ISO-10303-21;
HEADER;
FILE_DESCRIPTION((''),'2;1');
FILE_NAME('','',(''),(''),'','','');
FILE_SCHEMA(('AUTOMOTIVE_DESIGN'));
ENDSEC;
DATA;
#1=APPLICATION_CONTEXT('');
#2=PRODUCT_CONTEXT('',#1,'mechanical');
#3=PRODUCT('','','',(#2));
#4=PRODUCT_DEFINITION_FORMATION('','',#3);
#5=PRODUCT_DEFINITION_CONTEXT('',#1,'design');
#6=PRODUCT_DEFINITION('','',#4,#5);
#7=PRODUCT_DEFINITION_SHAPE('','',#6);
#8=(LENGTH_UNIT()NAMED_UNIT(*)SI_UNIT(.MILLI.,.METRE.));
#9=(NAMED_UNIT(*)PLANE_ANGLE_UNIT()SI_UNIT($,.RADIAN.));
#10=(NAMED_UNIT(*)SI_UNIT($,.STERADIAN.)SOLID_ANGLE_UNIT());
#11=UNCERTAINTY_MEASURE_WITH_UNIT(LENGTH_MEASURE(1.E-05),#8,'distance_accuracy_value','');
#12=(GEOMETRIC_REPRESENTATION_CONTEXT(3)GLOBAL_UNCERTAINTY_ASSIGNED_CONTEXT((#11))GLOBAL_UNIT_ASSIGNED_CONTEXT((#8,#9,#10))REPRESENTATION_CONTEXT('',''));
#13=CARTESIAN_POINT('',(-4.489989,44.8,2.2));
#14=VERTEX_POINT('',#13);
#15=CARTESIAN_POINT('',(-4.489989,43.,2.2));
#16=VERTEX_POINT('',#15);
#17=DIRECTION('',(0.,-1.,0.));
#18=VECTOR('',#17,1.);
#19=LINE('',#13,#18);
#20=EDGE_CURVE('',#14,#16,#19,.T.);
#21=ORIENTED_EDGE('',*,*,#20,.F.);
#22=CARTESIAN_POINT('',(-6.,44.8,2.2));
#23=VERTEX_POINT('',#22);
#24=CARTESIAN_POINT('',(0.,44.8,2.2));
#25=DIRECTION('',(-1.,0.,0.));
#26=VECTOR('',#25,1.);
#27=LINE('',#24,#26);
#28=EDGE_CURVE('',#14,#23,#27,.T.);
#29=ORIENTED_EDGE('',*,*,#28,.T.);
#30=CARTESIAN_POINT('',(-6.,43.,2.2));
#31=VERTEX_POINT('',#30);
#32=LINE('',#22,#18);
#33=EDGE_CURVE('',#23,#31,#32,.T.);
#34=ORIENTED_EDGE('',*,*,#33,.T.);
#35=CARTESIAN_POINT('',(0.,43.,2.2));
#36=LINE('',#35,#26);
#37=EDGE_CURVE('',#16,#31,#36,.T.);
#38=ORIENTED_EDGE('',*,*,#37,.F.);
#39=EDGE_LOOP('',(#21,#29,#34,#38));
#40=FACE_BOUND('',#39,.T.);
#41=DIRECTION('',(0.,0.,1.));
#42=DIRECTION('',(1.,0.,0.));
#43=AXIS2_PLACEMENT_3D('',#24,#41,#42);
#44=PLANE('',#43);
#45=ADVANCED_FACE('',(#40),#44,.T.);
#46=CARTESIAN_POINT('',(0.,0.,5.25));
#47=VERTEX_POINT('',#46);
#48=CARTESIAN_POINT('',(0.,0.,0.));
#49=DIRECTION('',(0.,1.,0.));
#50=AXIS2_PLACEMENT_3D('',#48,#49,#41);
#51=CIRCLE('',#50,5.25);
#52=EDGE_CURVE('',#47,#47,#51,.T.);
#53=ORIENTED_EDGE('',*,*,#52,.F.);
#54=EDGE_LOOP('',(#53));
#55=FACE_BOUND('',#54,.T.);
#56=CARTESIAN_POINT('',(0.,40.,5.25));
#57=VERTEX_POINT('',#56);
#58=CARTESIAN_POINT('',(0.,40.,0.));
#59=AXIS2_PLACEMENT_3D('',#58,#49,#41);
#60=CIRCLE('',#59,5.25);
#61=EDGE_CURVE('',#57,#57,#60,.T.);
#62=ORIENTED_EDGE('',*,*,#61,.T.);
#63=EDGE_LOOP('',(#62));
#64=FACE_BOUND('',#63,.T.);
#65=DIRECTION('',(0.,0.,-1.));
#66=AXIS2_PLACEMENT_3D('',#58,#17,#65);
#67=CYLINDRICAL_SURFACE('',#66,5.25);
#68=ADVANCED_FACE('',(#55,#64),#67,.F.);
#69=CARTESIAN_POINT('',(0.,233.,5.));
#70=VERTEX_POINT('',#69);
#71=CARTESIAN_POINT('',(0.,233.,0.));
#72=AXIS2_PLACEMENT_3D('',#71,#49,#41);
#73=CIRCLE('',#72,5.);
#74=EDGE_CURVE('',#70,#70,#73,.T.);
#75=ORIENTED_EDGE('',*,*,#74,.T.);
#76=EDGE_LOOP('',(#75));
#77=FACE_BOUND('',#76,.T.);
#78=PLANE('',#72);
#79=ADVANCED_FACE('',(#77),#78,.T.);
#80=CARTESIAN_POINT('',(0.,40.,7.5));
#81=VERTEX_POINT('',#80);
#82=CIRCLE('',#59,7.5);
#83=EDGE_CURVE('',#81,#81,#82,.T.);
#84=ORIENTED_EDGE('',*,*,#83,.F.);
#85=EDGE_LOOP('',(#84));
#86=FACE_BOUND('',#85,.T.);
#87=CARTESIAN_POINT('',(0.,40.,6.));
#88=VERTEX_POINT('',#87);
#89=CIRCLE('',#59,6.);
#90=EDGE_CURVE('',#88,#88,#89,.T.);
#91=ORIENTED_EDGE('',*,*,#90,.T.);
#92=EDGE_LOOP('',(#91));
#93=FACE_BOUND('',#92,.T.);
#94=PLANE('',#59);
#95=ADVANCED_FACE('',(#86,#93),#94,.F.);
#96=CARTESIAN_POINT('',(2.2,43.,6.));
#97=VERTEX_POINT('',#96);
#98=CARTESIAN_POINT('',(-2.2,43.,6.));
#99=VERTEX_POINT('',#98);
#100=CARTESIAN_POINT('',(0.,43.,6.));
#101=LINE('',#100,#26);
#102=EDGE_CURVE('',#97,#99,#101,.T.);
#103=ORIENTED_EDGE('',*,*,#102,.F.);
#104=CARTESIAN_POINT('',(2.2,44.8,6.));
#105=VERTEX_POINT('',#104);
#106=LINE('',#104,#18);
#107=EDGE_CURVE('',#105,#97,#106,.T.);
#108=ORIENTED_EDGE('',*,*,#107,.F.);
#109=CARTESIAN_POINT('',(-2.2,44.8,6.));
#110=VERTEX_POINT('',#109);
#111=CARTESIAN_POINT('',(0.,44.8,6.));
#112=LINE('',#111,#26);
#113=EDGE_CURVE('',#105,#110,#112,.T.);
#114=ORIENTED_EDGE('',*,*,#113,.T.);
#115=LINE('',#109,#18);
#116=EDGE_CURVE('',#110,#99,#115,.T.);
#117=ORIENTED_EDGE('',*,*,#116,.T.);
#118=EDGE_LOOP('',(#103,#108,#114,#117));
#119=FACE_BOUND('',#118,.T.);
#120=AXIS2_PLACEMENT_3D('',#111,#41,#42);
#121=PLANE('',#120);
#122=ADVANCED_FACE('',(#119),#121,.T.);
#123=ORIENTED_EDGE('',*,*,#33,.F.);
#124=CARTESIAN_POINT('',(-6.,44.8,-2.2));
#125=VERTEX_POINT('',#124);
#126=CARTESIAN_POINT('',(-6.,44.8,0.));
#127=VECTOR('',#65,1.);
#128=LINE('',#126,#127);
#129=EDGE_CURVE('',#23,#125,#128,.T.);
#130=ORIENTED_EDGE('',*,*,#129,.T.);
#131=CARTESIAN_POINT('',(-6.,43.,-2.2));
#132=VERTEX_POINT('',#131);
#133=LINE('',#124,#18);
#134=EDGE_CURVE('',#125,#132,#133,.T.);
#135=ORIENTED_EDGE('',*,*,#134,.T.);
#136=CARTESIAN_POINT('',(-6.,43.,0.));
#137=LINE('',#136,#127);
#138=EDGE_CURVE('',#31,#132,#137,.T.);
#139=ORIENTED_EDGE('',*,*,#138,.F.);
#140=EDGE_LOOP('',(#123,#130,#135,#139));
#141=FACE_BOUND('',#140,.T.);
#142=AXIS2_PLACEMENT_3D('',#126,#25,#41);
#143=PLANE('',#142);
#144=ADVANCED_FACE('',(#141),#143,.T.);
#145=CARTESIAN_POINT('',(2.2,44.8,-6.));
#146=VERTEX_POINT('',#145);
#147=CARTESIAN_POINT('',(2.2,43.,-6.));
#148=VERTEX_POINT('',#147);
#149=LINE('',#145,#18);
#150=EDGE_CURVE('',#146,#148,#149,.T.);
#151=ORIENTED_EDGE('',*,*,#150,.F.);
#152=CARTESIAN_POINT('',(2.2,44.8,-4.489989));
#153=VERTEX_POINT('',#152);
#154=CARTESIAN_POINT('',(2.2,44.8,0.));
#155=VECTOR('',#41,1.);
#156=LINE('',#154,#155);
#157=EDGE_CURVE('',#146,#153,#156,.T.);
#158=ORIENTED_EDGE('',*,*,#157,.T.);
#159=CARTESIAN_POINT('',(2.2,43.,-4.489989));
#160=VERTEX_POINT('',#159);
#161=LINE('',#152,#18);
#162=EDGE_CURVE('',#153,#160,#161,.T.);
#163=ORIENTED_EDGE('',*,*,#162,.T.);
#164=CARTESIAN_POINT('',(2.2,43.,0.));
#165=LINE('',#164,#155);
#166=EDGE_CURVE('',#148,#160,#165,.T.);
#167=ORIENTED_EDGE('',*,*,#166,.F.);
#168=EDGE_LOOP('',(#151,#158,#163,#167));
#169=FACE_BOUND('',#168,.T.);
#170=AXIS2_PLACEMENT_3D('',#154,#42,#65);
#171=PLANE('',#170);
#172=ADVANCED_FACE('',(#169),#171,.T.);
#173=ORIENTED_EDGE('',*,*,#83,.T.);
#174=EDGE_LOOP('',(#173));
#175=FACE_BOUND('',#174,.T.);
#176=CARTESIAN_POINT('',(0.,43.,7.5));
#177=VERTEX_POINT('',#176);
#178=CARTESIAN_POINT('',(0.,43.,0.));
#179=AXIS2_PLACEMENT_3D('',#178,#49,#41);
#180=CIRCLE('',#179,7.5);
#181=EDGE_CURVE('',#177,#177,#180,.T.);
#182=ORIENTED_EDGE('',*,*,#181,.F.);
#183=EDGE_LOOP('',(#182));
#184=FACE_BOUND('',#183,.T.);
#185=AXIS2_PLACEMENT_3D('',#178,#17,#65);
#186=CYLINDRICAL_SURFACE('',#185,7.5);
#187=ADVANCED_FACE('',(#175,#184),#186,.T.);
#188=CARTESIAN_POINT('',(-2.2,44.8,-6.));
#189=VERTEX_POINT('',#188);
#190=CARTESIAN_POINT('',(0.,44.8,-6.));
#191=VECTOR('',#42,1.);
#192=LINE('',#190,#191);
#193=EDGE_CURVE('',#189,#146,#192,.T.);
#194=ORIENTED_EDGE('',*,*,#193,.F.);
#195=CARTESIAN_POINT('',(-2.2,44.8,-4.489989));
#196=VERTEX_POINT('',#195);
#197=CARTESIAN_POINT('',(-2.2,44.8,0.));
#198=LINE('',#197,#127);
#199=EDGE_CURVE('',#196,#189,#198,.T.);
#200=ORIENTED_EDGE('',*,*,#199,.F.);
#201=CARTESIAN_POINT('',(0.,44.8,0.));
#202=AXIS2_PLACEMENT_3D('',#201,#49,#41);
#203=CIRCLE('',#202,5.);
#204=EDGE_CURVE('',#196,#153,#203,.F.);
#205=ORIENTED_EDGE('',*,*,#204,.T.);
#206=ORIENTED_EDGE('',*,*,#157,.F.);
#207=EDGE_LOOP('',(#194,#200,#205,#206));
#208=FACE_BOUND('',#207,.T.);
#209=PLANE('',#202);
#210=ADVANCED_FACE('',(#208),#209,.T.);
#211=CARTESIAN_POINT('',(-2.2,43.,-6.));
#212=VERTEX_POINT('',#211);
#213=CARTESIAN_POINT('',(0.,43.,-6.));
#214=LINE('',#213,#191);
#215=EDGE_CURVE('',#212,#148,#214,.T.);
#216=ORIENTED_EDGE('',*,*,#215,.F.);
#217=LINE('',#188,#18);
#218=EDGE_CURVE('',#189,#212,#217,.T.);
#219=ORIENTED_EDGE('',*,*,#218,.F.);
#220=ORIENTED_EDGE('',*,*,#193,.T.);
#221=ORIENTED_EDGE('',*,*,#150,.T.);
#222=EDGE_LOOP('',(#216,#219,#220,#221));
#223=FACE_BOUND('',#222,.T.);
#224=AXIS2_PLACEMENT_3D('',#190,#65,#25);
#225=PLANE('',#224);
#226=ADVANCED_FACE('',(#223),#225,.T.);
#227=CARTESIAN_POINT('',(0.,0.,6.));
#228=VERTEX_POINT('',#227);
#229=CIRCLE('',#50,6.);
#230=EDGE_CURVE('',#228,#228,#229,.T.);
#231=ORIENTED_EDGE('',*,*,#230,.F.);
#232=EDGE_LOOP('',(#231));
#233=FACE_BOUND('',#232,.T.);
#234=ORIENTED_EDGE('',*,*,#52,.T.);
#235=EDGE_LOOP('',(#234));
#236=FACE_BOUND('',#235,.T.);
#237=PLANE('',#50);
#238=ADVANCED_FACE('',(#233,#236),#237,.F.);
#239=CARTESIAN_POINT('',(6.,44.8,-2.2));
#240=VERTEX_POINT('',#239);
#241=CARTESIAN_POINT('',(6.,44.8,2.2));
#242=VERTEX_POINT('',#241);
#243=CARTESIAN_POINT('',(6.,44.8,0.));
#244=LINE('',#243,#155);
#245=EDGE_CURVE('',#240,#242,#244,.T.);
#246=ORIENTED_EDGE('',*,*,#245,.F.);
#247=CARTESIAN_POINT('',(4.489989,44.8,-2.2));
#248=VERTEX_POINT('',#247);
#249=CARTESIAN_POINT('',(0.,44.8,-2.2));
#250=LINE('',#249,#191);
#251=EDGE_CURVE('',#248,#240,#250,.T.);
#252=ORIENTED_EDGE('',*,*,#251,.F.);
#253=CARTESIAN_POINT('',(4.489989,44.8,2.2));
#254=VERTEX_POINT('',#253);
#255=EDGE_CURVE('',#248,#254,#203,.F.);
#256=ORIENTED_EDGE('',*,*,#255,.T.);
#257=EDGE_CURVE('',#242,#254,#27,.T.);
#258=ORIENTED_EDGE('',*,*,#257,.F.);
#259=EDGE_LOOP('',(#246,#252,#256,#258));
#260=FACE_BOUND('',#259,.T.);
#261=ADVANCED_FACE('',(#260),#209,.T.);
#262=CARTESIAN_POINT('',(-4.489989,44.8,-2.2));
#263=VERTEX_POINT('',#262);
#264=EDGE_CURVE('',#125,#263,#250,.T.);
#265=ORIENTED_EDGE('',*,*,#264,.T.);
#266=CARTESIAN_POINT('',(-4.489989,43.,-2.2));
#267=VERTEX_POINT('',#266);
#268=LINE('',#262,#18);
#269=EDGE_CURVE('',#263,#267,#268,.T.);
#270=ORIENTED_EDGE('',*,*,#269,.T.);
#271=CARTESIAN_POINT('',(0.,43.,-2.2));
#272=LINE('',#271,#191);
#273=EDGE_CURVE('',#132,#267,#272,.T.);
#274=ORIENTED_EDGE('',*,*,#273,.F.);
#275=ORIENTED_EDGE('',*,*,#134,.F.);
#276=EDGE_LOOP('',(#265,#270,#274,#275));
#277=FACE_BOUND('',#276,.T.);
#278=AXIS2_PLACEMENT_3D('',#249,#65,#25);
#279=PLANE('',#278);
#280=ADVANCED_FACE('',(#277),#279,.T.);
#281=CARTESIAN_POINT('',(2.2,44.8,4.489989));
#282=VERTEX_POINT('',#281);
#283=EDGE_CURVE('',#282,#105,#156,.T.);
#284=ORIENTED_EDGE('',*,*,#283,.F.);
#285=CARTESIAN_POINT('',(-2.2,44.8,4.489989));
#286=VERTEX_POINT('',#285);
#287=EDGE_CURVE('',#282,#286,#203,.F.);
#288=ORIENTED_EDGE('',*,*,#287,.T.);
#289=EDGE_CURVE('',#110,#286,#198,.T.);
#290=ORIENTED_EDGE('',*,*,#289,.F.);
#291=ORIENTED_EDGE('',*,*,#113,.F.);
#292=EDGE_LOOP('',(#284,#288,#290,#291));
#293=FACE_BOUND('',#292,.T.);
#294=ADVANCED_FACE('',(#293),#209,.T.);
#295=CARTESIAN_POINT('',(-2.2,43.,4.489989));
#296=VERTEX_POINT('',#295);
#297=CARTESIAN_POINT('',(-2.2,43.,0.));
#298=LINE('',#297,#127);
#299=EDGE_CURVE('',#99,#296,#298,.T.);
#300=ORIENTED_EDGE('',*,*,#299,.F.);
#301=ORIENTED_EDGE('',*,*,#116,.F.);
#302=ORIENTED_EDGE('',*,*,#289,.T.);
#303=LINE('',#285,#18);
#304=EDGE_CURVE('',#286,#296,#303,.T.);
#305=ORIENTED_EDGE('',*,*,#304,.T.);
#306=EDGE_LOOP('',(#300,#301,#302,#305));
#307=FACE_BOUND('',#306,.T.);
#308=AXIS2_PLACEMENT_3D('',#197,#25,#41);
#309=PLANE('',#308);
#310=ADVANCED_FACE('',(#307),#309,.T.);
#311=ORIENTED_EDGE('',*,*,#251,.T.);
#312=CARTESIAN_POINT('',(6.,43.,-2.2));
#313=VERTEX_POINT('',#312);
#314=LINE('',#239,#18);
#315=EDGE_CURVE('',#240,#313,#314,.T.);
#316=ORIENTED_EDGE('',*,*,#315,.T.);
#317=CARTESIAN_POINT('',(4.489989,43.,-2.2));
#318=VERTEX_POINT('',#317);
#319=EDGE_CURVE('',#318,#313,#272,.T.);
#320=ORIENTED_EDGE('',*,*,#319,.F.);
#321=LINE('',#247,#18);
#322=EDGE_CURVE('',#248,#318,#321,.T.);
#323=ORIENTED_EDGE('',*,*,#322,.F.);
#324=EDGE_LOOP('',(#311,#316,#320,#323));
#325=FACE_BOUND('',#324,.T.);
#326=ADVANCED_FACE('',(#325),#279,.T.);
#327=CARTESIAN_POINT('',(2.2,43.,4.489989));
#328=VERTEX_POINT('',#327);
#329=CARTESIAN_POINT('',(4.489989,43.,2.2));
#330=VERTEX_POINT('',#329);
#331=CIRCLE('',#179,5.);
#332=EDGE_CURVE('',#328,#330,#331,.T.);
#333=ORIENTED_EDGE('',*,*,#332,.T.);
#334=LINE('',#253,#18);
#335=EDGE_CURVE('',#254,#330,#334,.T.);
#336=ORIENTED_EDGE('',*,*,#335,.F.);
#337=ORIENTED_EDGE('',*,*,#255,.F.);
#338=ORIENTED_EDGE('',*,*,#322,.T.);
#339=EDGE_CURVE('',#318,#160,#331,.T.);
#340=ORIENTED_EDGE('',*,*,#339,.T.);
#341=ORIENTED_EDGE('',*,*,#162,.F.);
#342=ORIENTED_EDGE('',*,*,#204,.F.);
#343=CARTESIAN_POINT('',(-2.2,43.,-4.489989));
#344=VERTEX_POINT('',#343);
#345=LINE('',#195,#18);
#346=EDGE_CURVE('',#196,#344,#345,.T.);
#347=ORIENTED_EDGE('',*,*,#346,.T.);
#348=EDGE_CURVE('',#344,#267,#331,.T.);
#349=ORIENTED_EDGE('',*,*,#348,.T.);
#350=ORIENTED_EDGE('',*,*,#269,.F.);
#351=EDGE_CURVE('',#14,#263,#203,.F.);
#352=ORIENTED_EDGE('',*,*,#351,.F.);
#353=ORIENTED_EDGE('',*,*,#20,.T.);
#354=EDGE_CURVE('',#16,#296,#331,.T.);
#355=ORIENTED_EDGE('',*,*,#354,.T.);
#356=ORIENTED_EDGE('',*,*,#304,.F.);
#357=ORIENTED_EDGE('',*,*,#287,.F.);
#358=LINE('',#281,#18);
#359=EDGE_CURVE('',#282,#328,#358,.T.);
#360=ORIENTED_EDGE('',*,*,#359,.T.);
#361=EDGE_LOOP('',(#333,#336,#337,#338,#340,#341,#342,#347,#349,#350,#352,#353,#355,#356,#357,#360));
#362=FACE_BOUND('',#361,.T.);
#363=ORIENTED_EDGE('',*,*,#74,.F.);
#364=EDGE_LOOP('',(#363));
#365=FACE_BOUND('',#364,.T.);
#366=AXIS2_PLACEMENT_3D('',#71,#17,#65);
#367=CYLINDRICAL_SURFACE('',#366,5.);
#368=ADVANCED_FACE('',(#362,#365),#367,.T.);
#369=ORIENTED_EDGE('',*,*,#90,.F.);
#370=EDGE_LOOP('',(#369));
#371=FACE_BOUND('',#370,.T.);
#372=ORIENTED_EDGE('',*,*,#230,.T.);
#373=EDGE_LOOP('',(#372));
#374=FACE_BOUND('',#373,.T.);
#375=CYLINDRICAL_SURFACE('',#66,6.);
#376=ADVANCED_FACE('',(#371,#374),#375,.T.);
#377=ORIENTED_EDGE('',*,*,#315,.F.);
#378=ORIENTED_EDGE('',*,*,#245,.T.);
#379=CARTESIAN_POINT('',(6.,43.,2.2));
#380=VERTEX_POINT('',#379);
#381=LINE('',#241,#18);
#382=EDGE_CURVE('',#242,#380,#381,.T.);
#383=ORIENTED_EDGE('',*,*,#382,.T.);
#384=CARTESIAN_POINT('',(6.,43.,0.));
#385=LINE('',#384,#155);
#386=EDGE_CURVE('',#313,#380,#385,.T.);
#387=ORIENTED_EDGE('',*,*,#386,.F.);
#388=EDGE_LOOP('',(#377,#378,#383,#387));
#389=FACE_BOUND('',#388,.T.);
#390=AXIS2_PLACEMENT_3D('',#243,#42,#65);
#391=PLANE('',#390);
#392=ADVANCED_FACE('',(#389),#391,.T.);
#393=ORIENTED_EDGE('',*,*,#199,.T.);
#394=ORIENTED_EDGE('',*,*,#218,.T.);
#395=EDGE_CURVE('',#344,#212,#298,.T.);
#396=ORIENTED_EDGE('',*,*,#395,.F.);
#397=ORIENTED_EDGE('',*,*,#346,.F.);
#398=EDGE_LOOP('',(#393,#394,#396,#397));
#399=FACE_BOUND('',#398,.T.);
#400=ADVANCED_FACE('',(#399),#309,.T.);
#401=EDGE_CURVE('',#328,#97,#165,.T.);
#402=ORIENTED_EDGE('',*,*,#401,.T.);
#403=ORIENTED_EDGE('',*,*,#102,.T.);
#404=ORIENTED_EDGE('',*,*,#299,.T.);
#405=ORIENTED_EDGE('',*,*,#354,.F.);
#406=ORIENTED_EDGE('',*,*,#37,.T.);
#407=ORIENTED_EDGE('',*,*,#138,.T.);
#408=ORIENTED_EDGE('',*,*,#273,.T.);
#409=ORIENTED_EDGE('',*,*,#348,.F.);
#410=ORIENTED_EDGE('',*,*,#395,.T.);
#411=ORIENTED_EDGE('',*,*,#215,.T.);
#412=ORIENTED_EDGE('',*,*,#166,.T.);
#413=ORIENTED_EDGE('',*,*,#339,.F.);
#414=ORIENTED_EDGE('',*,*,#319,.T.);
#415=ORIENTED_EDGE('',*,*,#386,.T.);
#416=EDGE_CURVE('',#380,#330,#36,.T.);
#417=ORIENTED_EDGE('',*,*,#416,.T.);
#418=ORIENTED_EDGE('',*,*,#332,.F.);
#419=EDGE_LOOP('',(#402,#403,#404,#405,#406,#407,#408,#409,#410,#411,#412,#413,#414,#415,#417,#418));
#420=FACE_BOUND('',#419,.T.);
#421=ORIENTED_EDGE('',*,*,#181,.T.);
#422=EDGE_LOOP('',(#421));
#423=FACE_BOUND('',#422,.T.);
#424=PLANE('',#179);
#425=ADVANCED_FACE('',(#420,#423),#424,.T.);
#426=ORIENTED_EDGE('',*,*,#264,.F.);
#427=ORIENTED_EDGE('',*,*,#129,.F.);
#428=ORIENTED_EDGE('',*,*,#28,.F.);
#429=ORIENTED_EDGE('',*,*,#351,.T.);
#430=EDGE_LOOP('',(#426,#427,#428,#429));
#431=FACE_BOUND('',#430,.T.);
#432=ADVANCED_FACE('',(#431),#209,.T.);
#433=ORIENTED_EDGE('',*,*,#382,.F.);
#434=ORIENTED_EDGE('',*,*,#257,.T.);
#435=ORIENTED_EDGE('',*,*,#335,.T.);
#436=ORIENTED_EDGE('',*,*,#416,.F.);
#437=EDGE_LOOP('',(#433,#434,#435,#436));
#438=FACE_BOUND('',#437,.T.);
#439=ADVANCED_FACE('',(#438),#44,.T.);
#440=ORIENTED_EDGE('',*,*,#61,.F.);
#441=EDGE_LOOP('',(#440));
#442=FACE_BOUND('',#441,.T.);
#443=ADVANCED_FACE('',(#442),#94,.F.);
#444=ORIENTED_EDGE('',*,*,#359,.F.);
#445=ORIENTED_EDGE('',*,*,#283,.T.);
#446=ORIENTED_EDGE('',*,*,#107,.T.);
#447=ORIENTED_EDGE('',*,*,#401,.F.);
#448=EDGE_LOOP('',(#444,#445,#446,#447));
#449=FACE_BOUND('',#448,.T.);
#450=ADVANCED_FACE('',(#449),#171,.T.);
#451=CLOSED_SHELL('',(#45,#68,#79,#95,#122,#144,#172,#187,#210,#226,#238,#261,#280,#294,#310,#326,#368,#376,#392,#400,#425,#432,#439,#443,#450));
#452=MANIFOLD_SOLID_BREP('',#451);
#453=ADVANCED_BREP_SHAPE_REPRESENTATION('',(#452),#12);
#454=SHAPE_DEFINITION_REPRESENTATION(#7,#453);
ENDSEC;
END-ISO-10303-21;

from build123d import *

# Parameters (mm, degrees)
SKETCH_1_R      = 6
SKETCH_1_R_2    = 5.25
EXTRUDE_2_DEPTH = 40
SKETCH_2_R      = 7.5
EXTRUDE_3_DEPTH = 3
SKETCH_3_R      = 5
EXTRUDE_4_DEPTH = 190
EXTRUDE_6_DEPTH = 1.8


with BuildPart() as part:
    # 草图1 → 凸台-拉伸2 (new body)
    with BuildSketch(Plane(origin=(0, 0, 0), x_dir=(1, 0, 0), z_dir=(0, 1, 0))):
        with Locations(Location((0, 0, 0), (0, 0, 270))):
            Circle(SKETCH_1_R)
        with Locations(Location((0, 0, 0), (0, 0, 270))):
            Circle(SKETCH_1_R_2, mode=Mode.SUBTRACT)
    extrude(amount=EXTRUDE_2_DEPTH)

    # 草图2 → 凸台-拉伸3 (add)
    with BuildSketch(Plane(origin=(0, 40, 0), x_dir=(1, 0, 0), z_dir=(0, 1, 0))):
        with Locations(Location((0, 0, 0), (0, 0, 270))):
            Circle(SKETCH_2_R)
    extrude(amount=EXTRUDE_3_DEPTH)

    # 草图3 → 凸台-拉伸4 (add)
    with BuildSketch(Plane(origin=(0, 43, 0), x_dir=(1, 0, 0), z_dir=(0, 1, 0))):
        with Locations(Location((0, 0, 0), (0, 0, 270))):
            Circle(SKETCH_3_R)
    extrude(amount=EXTRUDE_4_DEPTH)

    # 草图4 → 凸台-拉伸6 (add)
    with BuildSketch(Plane(origin=(0, 43, 0), x_dir=(1, 0, 0), z_dir=(0, 1, 0))):
        with BuildLine():
            Line((6, 2.2), (4.489988864, 2.2))
            ThreePointArc((4.489988864, 2.2), (4.870828693, 1.129171307), (5, 0))
            ThreePointArc((5, 0), (4.870828693, -1.129171307), (4.489988864, -2.2))
            Line((4.489988864, -2.2), (6, -2.2))
            Line((6, -2.2), (6, 2.2))
        make_face()
        with BuildLine():
            ThreePointArc((2.2, -4.489988864), (0, -5), (-2.2, -4.489988864))
            Line((-2.2, -4.489988864), (-2.2, -6))
            Line((-2.2, -6), (2.2, -6))
            Line((2.2, -6), (2.2, -4.489988864))
        make_face()
        with BuildLine():
            Line((-2.2, 6), (-2.2, 4.489988864))
            ThreePointArc((-2.2, 4.489988864), (0, 5), (2.2, 4.489988864))
            Line((2.2, 4.489988864), (2.2, 6))
            Line((2.2, 6), (-2.2, 6))
        make_face()
        with BuildLine():
            ThreePointArc((-4.489988864, -2.2), (-5, 0), (-4.489988864, 2.2))
            Line((-4.489988864, 2.2), (-6, 2.2))
            Line((-6, 2.2), (-6, -2.2))
            Line((-6, -2.2), (-4.489988864, -2.2))
        make_face()
    extrude(amount=EXTRUDE_6_DEPTH)


solid = part.part
